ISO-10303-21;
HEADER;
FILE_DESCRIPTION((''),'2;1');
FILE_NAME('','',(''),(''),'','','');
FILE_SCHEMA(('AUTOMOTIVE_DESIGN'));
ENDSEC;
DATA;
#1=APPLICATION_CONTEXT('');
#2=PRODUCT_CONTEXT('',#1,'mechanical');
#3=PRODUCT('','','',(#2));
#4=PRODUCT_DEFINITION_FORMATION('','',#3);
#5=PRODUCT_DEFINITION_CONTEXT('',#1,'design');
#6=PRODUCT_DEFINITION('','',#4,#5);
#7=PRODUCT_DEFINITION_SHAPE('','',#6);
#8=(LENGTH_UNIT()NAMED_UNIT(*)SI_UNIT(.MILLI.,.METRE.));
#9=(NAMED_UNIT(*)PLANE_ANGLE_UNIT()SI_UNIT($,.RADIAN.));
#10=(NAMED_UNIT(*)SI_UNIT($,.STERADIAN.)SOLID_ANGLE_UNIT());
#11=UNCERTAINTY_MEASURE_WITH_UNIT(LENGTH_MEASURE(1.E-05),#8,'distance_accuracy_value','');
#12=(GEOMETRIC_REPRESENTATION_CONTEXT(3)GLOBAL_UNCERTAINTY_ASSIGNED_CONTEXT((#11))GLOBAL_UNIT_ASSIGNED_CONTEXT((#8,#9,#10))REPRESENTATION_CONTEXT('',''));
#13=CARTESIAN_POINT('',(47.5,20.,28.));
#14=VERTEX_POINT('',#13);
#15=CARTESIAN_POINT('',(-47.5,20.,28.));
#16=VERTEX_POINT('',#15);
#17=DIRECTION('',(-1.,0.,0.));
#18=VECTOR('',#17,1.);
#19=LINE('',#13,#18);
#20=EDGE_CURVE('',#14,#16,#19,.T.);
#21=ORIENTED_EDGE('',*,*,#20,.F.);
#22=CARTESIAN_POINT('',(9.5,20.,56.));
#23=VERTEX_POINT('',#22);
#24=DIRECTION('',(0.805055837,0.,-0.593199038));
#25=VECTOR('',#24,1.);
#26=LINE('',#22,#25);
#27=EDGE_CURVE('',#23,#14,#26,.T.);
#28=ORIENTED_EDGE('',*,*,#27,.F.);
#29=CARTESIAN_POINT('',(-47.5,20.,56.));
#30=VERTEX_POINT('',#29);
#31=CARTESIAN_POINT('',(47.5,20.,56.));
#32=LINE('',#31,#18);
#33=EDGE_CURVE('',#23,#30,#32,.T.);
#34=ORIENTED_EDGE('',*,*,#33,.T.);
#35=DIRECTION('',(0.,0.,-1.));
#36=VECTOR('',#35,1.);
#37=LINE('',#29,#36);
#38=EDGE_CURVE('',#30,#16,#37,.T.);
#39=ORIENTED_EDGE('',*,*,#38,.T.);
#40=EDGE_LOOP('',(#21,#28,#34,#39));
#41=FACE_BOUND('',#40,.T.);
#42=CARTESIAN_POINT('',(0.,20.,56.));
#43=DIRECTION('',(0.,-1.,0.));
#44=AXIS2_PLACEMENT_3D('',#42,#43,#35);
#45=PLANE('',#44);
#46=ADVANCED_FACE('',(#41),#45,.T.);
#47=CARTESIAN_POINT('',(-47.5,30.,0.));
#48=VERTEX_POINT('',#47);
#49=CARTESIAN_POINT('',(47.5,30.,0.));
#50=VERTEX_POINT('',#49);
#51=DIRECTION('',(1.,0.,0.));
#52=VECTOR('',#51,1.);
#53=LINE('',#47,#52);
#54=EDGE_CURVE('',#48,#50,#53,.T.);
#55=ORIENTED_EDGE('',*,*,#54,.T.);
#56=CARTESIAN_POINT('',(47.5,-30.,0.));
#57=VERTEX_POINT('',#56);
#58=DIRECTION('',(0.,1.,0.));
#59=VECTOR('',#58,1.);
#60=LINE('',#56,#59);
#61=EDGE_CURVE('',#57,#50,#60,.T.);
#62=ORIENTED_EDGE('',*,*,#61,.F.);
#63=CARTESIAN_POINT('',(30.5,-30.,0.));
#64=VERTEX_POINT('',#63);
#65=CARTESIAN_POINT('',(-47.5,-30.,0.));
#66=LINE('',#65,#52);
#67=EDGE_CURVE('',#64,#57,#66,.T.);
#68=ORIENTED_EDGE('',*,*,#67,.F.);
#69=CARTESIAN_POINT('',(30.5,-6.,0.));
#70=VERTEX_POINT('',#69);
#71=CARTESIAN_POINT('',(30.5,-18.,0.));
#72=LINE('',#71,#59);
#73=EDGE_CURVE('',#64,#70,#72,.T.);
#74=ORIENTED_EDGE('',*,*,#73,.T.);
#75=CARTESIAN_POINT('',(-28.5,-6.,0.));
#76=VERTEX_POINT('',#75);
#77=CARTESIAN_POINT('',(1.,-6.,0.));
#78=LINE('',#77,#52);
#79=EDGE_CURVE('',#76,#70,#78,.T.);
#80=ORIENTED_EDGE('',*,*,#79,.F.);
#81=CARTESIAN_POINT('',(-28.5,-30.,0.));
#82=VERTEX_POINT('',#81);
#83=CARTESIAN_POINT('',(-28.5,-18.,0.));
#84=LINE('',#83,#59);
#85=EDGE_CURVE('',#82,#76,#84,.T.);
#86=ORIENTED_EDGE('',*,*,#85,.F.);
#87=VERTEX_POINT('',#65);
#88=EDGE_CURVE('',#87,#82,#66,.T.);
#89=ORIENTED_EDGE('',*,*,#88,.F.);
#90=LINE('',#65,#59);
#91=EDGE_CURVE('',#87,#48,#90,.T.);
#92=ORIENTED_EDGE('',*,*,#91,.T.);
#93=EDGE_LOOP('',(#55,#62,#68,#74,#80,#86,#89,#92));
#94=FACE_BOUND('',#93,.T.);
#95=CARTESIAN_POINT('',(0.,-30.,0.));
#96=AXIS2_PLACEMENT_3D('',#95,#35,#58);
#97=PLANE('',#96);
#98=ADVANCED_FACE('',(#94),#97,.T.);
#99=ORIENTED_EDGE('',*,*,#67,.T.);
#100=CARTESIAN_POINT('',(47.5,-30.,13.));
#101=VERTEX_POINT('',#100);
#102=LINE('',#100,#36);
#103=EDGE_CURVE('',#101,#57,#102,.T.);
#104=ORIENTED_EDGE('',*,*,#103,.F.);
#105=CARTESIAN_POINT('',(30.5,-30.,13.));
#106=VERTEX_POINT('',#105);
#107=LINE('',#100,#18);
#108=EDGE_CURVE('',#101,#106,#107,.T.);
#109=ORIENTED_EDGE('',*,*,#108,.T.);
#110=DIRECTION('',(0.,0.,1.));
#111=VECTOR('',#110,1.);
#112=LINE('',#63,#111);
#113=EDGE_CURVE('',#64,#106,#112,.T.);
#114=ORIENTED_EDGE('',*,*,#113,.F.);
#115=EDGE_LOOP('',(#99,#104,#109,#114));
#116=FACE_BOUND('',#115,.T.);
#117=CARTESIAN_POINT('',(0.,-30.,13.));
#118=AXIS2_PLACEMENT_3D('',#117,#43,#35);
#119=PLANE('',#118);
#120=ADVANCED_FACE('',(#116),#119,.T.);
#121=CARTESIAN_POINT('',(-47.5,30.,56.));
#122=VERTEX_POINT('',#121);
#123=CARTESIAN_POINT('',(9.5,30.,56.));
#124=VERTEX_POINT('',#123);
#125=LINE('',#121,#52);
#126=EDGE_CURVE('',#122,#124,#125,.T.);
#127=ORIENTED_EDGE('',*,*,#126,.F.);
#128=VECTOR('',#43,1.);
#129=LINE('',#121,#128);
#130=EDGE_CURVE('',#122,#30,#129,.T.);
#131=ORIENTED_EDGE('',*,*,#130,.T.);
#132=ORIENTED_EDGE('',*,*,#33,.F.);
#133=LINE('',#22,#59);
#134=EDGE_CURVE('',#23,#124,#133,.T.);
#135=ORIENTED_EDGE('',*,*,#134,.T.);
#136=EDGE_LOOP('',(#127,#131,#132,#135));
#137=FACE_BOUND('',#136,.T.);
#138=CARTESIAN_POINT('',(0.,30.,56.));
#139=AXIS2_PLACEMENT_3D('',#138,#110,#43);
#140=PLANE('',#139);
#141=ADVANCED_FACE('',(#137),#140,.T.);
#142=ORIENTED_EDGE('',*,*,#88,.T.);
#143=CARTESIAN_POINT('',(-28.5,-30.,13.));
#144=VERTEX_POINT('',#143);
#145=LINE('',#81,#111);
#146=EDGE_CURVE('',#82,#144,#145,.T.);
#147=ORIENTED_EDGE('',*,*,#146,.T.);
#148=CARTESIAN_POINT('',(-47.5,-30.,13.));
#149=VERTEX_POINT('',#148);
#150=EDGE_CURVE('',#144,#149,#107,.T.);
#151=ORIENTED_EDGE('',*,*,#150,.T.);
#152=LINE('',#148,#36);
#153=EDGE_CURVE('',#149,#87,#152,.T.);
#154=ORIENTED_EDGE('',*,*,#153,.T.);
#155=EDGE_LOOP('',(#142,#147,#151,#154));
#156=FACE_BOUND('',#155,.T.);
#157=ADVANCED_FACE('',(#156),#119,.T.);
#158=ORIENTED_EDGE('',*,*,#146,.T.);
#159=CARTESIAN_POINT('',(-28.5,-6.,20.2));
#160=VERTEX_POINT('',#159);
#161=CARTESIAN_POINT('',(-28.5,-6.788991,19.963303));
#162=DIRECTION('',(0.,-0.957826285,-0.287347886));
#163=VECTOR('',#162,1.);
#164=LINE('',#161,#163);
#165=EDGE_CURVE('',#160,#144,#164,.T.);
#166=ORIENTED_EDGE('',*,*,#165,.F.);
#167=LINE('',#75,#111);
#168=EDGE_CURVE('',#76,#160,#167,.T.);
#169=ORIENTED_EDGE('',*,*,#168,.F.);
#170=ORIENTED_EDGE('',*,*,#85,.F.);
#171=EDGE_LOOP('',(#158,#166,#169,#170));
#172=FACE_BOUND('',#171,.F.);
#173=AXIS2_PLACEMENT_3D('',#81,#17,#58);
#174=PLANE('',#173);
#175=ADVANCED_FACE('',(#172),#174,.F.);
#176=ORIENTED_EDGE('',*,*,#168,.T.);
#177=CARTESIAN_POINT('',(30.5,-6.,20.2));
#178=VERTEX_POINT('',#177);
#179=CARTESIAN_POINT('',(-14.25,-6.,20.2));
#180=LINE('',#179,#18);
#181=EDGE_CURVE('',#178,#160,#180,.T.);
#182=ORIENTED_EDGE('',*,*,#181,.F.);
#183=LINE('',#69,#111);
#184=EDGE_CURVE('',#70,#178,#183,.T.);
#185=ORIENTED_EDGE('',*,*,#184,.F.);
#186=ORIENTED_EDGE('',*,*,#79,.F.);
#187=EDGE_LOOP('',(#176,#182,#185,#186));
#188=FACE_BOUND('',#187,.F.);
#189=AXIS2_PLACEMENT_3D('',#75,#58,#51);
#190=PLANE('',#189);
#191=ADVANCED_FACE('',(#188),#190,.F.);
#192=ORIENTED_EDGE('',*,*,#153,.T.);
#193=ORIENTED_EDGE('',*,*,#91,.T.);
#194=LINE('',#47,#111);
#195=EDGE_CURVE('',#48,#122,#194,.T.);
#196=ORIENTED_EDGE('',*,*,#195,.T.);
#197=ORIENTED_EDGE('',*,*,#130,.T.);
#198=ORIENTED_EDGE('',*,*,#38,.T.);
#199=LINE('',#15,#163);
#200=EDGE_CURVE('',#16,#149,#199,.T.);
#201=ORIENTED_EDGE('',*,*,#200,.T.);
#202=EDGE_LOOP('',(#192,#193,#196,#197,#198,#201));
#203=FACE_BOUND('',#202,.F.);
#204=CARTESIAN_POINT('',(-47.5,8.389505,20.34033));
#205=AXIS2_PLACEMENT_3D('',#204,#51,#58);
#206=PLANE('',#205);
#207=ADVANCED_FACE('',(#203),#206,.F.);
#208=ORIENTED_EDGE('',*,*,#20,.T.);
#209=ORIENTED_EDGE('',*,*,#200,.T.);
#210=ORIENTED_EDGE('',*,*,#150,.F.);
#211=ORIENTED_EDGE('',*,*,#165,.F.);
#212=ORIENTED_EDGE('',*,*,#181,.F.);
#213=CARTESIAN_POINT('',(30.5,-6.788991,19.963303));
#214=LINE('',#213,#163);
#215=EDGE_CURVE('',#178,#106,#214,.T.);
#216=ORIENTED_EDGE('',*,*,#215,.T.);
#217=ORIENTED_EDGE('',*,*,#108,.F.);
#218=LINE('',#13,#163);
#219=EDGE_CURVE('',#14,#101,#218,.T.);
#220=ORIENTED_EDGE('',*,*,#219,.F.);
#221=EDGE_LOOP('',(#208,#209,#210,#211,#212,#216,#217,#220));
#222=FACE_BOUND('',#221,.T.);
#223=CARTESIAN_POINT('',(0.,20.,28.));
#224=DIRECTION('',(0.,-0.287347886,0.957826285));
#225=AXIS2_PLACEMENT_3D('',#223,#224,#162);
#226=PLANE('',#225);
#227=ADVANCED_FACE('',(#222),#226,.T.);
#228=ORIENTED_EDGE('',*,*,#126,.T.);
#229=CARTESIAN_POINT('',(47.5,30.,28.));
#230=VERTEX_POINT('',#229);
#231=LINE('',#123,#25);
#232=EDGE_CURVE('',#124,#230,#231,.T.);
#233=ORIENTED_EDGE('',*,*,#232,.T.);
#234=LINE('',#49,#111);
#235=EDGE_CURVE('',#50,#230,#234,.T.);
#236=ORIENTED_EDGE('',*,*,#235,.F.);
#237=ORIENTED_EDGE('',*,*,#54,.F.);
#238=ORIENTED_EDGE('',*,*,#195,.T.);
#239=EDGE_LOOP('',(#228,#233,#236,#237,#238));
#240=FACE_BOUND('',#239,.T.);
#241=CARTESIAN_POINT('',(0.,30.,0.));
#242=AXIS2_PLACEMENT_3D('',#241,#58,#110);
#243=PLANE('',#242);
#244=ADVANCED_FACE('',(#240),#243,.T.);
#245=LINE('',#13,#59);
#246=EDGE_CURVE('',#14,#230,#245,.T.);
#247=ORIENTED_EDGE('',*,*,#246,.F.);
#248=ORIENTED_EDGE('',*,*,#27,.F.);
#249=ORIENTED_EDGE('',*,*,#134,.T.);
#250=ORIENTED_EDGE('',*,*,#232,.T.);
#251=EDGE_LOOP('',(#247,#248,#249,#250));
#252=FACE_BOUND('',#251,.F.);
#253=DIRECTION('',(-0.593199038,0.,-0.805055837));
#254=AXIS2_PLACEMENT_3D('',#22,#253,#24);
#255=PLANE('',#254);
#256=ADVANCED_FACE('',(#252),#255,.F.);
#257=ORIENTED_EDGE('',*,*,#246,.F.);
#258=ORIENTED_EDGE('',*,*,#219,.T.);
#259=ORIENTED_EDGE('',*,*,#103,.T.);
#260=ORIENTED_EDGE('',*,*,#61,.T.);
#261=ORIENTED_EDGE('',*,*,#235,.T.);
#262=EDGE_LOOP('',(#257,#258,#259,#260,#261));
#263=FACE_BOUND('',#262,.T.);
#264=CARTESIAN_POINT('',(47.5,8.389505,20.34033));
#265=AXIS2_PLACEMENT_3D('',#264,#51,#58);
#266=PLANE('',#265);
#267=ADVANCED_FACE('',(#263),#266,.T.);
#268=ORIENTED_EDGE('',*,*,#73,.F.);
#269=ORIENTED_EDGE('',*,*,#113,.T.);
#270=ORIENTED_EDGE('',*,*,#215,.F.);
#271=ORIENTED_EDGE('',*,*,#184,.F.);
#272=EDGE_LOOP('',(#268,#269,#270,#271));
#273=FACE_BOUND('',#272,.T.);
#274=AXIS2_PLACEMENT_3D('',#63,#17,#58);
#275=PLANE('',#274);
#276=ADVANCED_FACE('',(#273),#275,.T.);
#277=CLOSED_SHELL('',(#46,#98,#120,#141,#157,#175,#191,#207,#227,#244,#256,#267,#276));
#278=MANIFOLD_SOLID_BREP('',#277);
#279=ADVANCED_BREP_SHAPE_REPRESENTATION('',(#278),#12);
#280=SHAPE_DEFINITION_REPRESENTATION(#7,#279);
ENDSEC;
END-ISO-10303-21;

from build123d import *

# Parameters (mm, degrees)
F1_DEPTH = 47.5
F2_W     = 59
F2_H     = 24
F3_DEPTH = 25
F5_DEPTH = 10


with BuildPart() as f1:
    # F0 (on Right) → F1 (new body, symmetric)
    with BuildSketch(Plane.YZ):
        Polygon((-30, 13), (-30, 0), (30, 0), (30, 56), (20, 56), (20, 28), align=None)
    extrude(amount=F1_DEPTH, both=True)

    # F2 (on Top) → F3 (cut)
    with BuildSketch(Plane.XY):
        with Locations((1, -18)):
            Rectangle(F2_W, F2_H)
    extrude(amount=F3_DEPTH, mode=Mode.SUBTRACT)

    # F4 (on face) → F5 (cut, through all)
    with BuildSketch(Plane.XZ.offset(-20)):
        Polygon((47.5, 56), (9.5, 56), (47.5, 28), align=None)
    extrude(amount=-F5_DEPTH, mode=Mode.SUBTRACT)


solid = f1.part
